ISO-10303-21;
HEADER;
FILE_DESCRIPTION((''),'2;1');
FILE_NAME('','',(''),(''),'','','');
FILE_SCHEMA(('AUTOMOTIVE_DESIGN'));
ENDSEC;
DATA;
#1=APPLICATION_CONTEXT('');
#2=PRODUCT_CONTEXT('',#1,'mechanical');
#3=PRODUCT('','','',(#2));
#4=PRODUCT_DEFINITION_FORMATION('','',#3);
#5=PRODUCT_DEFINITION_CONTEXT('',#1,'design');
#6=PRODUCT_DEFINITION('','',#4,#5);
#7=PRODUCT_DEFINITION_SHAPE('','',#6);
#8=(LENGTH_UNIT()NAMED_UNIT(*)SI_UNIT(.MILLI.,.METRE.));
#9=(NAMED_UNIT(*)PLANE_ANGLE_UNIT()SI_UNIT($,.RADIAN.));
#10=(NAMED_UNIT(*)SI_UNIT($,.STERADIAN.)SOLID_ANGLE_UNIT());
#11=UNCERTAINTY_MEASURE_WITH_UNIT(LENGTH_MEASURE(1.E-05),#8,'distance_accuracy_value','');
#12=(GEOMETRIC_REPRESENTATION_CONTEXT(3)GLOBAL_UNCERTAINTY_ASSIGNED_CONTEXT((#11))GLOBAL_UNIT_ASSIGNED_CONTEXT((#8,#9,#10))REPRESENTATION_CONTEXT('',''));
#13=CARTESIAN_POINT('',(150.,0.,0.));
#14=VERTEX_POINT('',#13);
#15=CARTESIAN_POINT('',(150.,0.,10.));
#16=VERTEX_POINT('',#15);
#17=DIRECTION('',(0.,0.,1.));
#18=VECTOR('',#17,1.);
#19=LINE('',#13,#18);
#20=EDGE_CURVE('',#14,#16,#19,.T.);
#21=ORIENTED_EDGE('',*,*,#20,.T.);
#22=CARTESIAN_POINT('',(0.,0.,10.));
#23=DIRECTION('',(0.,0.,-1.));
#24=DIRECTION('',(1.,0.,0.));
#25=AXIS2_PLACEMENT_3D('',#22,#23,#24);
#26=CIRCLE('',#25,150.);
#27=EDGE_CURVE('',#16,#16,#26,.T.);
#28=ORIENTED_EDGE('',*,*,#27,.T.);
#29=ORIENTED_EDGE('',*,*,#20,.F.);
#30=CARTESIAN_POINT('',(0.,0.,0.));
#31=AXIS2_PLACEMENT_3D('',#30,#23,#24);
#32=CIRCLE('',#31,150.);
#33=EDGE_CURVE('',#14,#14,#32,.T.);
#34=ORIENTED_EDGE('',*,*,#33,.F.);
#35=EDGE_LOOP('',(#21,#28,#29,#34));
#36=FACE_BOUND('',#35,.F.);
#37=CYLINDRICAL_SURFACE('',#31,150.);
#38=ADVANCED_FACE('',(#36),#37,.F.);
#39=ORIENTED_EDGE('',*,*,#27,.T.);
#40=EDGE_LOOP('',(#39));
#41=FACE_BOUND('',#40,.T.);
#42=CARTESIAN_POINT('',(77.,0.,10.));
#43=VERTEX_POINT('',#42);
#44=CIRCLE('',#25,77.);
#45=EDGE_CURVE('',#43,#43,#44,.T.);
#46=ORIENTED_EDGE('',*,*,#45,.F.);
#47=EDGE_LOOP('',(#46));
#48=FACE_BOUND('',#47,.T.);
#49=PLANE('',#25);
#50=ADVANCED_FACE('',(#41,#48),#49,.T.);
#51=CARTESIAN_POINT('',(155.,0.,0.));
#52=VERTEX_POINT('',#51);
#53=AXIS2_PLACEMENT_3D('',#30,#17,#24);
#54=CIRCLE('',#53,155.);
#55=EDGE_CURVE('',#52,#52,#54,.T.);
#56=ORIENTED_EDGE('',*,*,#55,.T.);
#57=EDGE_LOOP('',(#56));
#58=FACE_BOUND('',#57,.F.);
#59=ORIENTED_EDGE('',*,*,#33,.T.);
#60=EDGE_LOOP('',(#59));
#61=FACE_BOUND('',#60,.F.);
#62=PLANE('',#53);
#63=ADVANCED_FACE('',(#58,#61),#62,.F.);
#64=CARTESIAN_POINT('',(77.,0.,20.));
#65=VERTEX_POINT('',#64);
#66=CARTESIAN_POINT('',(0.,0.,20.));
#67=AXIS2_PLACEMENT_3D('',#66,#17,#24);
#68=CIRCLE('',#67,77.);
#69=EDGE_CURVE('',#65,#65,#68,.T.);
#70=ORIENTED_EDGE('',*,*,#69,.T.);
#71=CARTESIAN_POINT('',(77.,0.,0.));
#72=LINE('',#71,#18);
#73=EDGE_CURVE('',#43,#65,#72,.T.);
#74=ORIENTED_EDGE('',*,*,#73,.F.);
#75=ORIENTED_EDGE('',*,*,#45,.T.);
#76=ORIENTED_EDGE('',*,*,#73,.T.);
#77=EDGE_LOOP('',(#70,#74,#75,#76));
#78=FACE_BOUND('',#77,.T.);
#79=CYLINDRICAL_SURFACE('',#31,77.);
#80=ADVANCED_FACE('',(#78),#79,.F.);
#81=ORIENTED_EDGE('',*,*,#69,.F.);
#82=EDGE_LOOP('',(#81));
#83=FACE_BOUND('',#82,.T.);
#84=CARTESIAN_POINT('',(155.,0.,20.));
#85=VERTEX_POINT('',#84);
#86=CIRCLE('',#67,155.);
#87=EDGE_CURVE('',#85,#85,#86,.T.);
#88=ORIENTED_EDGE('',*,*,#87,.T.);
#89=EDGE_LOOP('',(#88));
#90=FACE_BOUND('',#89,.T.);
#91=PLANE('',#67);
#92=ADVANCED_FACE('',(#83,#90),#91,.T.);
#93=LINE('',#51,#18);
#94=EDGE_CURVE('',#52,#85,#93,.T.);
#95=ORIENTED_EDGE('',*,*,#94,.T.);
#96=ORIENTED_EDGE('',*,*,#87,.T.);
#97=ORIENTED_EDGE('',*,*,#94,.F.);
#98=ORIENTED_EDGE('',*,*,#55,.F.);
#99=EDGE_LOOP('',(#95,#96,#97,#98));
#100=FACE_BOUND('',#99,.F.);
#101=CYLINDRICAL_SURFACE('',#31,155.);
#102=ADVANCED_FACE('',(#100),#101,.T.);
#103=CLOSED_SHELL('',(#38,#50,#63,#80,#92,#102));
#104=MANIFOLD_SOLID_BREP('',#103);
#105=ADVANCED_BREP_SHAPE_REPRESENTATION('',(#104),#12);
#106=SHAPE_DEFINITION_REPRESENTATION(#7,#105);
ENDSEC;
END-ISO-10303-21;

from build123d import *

# Parameters (mm, degrees)
SKETCH_R     = 155
SKETCH_R_2   = 77
PAD_DEPTH    = 20
SKETCH001_R  = 150
POCKET_DEPTH = 10


with BuildPart() as part:
    # Sketch → Pad (new body)
    with BuildSketch(Plane.XY):
        Circle(SKETCH_R)
        Circle(SKETCH_R_2, mode=Mode.SUBTRACT)
    extrude(amount=PAD_DEPTH)

    # Sketch001 (on Face3 of Pad) → Pocket (cut)
    with BuildSketch(Plane(origin=(0, 0, 0), x_dir=(1, 0, 0), z_dir=(0, 0, -1))):
        Circle(SKETCH001_R)
    extrude(amount=-POCKET_DEPTH, mode=Mode.SUBTRACT)


solid = part.part
